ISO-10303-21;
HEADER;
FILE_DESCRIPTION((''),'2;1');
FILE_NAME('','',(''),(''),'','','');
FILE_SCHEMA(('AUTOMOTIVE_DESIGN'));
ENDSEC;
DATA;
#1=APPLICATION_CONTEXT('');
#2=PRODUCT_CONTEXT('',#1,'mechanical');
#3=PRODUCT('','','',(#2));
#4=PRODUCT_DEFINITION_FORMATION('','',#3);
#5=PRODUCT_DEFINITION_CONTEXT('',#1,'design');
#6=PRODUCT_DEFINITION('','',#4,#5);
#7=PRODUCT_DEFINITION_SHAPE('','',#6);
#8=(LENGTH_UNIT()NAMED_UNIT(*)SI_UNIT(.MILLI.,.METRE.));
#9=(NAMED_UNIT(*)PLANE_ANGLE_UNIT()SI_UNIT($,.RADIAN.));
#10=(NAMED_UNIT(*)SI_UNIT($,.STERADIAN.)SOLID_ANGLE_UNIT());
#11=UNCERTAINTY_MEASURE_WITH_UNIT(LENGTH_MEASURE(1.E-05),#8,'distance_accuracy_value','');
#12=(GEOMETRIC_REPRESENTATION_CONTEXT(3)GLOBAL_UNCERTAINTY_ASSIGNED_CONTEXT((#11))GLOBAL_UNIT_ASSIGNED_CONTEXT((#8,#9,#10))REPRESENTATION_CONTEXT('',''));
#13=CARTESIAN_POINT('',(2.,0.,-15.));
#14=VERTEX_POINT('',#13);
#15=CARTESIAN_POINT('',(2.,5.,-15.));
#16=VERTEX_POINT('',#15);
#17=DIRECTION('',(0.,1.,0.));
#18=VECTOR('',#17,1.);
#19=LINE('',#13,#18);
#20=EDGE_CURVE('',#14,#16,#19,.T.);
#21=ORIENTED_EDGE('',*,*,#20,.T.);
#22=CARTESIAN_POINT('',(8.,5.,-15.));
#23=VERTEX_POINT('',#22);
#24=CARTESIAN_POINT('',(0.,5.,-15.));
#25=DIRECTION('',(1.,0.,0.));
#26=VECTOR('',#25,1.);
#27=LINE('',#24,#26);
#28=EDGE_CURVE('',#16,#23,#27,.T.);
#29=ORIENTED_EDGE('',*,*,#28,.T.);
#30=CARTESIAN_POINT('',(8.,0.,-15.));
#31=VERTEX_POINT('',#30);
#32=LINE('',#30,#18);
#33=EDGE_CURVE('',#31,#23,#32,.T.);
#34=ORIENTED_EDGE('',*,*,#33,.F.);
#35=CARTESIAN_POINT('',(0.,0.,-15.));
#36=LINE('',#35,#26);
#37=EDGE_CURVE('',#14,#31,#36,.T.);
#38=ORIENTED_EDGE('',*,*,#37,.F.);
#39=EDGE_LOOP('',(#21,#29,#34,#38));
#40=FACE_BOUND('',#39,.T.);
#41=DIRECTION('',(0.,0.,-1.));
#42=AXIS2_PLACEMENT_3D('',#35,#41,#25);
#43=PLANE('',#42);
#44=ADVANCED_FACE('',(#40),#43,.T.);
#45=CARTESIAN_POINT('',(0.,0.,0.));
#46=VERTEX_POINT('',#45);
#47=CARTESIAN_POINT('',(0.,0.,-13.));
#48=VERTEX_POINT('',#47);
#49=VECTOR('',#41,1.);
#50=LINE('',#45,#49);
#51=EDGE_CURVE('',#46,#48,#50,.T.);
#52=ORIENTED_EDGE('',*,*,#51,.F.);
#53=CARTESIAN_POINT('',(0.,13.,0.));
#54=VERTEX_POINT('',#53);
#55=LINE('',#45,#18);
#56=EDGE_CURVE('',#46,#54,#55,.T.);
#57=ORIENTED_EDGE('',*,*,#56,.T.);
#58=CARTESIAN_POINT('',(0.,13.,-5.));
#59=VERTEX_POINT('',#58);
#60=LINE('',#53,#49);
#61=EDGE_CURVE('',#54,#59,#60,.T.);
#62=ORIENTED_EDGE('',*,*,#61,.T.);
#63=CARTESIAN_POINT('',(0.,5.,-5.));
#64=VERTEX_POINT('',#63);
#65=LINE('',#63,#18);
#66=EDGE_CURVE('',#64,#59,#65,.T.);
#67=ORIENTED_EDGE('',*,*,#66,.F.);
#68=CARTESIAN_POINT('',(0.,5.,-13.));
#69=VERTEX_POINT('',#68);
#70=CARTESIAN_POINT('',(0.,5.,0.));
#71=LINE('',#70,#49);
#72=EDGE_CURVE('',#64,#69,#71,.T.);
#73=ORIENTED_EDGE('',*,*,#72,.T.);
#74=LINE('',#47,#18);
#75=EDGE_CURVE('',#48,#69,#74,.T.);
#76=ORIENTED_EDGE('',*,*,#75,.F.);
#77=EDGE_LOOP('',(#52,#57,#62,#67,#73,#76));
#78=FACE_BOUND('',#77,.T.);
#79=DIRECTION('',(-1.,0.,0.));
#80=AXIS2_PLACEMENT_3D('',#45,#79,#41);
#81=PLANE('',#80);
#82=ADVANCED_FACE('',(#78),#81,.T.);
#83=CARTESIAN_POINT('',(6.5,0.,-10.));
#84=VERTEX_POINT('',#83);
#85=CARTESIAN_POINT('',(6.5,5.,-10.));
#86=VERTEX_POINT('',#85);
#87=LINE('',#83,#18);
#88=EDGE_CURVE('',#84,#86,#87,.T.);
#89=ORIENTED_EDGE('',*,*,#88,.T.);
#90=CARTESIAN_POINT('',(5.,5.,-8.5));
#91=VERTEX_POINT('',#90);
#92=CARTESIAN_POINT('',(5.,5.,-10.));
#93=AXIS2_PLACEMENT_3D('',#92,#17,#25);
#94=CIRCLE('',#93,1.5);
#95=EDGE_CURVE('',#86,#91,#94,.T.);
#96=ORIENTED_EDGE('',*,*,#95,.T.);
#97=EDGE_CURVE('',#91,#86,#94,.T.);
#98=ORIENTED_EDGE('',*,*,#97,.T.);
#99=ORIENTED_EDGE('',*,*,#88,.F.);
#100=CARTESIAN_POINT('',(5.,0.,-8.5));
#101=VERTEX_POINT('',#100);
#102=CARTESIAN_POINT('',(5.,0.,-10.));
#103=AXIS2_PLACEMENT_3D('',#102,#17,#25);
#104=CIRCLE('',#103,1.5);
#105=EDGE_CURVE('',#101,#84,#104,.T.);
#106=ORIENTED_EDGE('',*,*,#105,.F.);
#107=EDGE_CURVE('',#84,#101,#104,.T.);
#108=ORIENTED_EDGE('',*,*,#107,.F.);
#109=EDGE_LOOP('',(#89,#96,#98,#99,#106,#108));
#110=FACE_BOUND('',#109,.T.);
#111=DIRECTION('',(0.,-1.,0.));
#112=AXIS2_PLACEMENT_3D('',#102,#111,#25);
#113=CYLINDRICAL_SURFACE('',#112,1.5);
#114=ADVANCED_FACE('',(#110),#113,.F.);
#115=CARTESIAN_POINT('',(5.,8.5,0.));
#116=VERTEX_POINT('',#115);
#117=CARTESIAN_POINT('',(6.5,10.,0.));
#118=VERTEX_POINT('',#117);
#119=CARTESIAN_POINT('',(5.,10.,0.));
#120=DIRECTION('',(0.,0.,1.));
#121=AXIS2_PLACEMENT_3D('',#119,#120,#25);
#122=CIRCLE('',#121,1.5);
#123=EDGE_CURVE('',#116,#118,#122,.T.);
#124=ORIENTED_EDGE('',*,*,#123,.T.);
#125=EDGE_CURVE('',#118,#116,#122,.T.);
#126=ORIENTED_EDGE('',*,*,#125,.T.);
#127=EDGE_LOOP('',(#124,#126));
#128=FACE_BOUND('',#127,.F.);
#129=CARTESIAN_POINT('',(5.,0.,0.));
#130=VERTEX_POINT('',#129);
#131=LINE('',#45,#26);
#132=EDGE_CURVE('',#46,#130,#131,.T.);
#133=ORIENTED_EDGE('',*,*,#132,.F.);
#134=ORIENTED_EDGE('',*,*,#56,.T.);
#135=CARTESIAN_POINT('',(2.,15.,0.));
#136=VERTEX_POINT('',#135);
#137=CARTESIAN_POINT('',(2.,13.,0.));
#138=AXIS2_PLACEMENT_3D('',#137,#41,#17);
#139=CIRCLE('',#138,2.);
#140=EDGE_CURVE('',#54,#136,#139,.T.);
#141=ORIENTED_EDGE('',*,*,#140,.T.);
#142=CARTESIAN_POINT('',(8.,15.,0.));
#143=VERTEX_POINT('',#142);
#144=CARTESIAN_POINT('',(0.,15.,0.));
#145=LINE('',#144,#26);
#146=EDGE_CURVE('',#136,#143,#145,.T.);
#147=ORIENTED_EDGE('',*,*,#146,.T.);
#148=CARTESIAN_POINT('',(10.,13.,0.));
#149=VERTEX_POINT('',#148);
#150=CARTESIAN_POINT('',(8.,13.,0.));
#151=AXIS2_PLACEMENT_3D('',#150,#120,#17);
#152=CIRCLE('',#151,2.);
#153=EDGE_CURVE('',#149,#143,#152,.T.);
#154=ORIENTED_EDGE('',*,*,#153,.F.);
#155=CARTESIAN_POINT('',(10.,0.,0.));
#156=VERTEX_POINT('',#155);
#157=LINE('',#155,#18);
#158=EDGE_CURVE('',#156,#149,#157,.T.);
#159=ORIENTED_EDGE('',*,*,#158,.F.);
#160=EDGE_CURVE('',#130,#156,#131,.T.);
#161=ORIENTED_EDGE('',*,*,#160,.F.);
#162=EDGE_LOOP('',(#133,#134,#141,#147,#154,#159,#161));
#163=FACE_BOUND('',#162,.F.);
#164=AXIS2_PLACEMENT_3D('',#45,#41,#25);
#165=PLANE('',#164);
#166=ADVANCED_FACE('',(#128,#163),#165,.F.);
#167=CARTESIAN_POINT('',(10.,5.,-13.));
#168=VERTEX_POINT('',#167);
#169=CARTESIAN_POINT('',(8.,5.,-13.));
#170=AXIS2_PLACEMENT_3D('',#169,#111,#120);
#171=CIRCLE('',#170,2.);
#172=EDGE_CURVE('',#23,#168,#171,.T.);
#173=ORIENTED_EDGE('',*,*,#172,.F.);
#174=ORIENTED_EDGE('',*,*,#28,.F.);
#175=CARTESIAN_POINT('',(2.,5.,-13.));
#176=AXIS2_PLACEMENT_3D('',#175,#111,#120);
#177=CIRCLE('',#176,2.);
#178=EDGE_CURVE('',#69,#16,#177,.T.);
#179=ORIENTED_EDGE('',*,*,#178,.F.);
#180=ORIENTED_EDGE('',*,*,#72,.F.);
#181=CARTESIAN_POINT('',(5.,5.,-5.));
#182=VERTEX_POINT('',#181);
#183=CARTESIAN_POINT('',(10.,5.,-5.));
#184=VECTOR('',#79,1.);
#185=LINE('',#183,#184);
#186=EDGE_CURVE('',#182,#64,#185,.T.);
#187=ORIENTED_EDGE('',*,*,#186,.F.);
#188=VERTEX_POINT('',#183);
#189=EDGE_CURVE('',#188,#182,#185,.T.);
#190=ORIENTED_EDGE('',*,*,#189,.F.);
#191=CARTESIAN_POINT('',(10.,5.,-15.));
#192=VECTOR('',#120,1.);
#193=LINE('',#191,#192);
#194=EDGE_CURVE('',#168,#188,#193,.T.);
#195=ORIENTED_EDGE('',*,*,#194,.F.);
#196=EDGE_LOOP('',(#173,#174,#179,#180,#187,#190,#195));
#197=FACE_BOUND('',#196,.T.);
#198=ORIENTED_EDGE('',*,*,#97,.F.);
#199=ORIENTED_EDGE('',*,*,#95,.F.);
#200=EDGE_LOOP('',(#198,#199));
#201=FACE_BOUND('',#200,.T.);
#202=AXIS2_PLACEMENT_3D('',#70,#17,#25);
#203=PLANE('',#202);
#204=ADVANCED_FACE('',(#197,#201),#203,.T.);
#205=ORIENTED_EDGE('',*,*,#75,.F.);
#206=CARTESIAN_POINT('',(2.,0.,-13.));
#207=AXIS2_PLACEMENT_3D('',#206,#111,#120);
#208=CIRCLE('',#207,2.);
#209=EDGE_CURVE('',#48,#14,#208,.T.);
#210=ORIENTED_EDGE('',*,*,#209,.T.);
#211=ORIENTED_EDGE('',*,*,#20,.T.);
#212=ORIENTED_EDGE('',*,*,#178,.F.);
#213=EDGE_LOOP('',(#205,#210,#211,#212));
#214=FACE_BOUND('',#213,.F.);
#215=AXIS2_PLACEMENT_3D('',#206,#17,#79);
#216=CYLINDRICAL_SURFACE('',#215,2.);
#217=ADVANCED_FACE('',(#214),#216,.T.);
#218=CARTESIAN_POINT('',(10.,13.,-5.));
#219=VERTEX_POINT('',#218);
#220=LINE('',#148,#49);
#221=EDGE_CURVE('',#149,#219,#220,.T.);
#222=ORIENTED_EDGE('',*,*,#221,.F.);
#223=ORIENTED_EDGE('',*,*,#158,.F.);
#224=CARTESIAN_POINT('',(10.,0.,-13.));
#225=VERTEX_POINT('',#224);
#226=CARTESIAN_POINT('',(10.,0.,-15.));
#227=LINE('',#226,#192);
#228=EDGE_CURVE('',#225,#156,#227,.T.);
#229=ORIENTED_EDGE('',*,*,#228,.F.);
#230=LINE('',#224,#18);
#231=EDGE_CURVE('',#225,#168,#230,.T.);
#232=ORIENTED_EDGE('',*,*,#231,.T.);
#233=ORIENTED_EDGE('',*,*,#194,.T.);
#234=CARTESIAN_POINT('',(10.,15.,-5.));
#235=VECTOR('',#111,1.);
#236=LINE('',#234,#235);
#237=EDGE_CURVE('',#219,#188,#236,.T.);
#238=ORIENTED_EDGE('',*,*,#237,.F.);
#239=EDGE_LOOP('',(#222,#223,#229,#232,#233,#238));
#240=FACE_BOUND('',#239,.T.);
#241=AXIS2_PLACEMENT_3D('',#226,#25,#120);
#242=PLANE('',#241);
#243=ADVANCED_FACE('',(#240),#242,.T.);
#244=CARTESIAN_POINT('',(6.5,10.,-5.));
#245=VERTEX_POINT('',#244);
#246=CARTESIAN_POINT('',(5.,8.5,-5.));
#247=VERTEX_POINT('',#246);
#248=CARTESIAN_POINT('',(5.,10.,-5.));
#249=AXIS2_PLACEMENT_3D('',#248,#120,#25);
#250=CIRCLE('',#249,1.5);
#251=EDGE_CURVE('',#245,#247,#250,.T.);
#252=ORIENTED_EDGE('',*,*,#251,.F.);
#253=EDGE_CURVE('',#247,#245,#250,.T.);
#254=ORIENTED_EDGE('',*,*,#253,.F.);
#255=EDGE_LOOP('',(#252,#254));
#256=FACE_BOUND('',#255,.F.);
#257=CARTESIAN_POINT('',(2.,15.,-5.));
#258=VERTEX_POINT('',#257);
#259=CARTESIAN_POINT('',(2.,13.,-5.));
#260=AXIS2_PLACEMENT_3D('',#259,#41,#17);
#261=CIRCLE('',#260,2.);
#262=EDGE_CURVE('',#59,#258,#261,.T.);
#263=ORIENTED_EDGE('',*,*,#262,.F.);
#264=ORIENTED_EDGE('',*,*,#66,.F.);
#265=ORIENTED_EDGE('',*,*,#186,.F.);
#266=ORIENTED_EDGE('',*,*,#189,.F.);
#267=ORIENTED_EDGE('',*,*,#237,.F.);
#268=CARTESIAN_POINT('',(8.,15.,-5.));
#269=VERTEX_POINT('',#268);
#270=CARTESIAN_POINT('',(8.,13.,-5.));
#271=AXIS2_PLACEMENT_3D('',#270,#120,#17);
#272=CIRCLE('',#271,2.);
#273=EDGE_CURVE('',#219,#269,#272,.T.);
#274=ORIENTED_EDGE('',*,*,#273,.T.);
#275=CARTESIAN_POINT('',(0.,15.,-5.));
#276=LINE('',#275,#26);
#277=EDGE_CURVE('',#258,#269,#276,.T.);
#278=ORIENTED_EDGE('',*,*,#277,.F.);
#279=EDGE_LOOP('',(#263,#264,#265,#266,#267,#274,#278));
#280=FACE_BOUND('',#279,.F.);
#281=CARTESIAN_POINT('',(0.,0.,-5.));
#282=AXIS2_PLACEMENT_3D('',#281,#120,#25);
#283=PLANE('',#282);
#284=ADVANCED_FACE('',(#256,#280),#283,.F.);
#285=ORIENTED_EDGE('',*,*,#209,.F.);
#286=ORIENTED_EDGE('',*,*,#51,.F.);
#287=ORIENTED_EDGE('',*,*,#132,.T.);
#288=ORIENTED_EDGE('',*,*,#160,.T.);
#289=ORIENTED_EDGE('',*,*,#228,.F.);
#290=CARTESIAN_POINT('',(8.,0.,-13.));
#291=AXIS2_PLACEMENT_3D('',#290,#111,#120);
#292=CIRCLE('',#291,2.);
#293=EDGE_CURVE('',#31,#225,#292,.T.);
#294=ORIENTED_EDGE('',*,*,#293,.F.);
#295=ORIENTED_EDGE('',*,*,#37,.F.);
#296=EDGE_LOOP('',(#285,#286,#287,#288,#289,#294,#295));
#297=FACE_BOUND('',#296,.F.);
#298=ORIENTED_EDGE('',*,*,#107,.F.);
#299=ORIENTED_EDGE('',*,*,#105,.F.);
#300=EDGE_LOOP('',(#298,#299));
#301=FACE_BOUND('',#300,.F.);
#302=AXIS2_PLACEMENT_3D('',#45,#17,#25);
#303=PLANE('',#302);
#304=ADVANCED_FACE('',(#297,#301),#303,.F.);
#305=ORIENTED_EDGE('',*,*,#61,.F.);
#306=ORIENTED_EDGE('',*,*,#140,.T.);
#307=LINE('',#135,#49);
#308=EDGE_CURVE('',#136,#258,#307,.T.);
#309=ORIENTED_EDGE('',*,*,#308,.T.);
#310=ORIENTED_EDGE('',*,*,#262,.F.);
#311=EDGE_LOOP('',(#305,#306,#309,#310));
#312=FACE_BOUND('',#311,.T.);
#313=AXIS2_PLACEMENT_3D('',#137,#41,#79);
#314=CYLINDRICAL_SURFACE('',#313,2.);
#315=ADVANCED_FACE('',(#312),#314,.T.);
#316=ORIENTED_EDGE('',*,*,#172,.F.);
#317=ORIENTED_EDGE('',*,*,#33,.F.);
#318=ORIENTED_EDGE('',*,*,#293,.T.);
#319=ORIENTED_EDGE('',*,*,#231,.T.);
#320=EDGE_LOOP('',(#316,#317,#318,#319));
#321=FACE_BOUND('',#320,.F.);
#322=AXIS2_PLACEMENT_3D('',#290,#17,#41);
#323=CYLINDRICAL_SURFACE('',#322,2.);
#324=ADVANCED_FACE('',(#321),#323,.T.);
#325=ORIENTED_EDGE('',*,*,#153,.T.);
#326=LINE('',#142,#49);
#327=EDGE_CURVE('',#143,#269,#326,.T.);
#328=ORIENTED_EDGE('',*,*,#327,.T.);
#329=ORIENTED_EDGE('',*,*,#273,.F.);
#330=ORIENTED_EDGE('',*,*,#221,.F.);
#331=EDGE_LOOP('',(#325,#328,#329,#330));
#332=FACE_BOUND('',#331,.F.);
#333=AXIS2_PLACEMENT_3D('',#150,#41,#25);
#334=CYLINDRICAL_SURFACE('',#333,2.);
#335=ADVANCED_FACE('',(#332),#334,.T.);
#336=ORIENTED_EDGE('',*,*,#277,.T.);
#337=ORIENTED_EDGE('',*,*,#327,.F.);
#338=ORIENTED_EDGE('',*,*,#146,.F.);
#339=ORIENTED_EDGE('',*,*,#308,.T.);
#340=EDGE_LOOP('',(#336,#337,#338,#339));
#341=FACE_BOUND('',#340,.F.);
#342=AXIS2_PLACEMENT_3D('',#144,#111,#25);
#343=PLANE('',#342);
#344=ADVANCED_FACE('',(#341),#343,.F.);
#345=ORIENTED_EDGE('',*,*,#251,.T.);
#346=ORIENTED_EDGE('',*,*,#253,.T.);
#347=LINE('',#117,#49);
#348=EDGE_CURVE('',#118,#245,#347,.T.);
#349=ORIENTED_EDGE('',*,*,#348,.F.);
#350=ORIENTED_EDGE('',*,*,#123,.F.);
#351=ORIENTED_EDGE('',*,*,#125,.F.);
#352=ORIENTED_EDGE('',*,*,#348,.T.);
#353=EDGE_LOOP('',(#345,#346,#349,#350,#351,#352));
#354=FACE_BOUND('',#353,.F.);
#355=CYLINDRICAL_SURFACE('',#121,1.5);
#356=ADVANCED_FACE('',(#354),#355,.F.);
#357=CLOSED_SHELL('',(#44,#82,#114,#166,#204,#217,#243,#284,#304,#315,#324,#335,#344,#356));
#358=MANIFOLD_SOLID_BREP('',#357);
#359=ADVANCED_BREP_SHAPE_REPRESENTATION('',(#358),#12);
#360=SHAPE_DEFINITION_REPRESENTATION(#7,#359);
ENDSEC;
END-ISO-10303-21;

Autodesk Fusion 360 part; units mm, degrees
sketch "Sketch1" plane through (0, 0, 0) normal (0, 1, 0) x (1, 0, 0)
  line L0 (0, 0) -> (10, 0)
  line L1 (5, 0) -> (5, 10)
  line L2 (0, 0) -> (0, 15)
  line L3 (0, 15) -> (10, 15)
  line L4 (10, 15) -> (10, 0)
  circle A0 centre (5, 10) radius 1.5
  dimension "d1" = 3
extrude "Extrude1" add sketch "Sketch1" along normal blind 5
sketch "Sketch2" plane through (0, 0, 0) normal (0, 0, 1) x (1, 0, 0)
  line L0 (0, 0) -> (10, 0)
  line L1 (10, 0) -> (10, 5)
  line L2 (10, 5) -> (0, 5)
  line L3 (0, 5) -> (0, 0)
  line L4 (5, 0) -> (5, 10)
  line L5 (0, 5) -> (0, 15)
  line L6 (0, 15) -> (10, 15)
  line L7 (10, 15) -> (10, 5)
  circle A0 centre (5, 10) radius 1.5
  dimension "d4" = 10
  dimension "d5" = 3
extrude "Extrude2" add sketch "Sketch2" against normal blind 5 contours L2 L5 L6 L7
fillet "Fillet1" radius 2 4 edges at (10, 15, -2.5) (10, 2.5, -15) (0, 15, -2.5) (0, 2.5, -15)
